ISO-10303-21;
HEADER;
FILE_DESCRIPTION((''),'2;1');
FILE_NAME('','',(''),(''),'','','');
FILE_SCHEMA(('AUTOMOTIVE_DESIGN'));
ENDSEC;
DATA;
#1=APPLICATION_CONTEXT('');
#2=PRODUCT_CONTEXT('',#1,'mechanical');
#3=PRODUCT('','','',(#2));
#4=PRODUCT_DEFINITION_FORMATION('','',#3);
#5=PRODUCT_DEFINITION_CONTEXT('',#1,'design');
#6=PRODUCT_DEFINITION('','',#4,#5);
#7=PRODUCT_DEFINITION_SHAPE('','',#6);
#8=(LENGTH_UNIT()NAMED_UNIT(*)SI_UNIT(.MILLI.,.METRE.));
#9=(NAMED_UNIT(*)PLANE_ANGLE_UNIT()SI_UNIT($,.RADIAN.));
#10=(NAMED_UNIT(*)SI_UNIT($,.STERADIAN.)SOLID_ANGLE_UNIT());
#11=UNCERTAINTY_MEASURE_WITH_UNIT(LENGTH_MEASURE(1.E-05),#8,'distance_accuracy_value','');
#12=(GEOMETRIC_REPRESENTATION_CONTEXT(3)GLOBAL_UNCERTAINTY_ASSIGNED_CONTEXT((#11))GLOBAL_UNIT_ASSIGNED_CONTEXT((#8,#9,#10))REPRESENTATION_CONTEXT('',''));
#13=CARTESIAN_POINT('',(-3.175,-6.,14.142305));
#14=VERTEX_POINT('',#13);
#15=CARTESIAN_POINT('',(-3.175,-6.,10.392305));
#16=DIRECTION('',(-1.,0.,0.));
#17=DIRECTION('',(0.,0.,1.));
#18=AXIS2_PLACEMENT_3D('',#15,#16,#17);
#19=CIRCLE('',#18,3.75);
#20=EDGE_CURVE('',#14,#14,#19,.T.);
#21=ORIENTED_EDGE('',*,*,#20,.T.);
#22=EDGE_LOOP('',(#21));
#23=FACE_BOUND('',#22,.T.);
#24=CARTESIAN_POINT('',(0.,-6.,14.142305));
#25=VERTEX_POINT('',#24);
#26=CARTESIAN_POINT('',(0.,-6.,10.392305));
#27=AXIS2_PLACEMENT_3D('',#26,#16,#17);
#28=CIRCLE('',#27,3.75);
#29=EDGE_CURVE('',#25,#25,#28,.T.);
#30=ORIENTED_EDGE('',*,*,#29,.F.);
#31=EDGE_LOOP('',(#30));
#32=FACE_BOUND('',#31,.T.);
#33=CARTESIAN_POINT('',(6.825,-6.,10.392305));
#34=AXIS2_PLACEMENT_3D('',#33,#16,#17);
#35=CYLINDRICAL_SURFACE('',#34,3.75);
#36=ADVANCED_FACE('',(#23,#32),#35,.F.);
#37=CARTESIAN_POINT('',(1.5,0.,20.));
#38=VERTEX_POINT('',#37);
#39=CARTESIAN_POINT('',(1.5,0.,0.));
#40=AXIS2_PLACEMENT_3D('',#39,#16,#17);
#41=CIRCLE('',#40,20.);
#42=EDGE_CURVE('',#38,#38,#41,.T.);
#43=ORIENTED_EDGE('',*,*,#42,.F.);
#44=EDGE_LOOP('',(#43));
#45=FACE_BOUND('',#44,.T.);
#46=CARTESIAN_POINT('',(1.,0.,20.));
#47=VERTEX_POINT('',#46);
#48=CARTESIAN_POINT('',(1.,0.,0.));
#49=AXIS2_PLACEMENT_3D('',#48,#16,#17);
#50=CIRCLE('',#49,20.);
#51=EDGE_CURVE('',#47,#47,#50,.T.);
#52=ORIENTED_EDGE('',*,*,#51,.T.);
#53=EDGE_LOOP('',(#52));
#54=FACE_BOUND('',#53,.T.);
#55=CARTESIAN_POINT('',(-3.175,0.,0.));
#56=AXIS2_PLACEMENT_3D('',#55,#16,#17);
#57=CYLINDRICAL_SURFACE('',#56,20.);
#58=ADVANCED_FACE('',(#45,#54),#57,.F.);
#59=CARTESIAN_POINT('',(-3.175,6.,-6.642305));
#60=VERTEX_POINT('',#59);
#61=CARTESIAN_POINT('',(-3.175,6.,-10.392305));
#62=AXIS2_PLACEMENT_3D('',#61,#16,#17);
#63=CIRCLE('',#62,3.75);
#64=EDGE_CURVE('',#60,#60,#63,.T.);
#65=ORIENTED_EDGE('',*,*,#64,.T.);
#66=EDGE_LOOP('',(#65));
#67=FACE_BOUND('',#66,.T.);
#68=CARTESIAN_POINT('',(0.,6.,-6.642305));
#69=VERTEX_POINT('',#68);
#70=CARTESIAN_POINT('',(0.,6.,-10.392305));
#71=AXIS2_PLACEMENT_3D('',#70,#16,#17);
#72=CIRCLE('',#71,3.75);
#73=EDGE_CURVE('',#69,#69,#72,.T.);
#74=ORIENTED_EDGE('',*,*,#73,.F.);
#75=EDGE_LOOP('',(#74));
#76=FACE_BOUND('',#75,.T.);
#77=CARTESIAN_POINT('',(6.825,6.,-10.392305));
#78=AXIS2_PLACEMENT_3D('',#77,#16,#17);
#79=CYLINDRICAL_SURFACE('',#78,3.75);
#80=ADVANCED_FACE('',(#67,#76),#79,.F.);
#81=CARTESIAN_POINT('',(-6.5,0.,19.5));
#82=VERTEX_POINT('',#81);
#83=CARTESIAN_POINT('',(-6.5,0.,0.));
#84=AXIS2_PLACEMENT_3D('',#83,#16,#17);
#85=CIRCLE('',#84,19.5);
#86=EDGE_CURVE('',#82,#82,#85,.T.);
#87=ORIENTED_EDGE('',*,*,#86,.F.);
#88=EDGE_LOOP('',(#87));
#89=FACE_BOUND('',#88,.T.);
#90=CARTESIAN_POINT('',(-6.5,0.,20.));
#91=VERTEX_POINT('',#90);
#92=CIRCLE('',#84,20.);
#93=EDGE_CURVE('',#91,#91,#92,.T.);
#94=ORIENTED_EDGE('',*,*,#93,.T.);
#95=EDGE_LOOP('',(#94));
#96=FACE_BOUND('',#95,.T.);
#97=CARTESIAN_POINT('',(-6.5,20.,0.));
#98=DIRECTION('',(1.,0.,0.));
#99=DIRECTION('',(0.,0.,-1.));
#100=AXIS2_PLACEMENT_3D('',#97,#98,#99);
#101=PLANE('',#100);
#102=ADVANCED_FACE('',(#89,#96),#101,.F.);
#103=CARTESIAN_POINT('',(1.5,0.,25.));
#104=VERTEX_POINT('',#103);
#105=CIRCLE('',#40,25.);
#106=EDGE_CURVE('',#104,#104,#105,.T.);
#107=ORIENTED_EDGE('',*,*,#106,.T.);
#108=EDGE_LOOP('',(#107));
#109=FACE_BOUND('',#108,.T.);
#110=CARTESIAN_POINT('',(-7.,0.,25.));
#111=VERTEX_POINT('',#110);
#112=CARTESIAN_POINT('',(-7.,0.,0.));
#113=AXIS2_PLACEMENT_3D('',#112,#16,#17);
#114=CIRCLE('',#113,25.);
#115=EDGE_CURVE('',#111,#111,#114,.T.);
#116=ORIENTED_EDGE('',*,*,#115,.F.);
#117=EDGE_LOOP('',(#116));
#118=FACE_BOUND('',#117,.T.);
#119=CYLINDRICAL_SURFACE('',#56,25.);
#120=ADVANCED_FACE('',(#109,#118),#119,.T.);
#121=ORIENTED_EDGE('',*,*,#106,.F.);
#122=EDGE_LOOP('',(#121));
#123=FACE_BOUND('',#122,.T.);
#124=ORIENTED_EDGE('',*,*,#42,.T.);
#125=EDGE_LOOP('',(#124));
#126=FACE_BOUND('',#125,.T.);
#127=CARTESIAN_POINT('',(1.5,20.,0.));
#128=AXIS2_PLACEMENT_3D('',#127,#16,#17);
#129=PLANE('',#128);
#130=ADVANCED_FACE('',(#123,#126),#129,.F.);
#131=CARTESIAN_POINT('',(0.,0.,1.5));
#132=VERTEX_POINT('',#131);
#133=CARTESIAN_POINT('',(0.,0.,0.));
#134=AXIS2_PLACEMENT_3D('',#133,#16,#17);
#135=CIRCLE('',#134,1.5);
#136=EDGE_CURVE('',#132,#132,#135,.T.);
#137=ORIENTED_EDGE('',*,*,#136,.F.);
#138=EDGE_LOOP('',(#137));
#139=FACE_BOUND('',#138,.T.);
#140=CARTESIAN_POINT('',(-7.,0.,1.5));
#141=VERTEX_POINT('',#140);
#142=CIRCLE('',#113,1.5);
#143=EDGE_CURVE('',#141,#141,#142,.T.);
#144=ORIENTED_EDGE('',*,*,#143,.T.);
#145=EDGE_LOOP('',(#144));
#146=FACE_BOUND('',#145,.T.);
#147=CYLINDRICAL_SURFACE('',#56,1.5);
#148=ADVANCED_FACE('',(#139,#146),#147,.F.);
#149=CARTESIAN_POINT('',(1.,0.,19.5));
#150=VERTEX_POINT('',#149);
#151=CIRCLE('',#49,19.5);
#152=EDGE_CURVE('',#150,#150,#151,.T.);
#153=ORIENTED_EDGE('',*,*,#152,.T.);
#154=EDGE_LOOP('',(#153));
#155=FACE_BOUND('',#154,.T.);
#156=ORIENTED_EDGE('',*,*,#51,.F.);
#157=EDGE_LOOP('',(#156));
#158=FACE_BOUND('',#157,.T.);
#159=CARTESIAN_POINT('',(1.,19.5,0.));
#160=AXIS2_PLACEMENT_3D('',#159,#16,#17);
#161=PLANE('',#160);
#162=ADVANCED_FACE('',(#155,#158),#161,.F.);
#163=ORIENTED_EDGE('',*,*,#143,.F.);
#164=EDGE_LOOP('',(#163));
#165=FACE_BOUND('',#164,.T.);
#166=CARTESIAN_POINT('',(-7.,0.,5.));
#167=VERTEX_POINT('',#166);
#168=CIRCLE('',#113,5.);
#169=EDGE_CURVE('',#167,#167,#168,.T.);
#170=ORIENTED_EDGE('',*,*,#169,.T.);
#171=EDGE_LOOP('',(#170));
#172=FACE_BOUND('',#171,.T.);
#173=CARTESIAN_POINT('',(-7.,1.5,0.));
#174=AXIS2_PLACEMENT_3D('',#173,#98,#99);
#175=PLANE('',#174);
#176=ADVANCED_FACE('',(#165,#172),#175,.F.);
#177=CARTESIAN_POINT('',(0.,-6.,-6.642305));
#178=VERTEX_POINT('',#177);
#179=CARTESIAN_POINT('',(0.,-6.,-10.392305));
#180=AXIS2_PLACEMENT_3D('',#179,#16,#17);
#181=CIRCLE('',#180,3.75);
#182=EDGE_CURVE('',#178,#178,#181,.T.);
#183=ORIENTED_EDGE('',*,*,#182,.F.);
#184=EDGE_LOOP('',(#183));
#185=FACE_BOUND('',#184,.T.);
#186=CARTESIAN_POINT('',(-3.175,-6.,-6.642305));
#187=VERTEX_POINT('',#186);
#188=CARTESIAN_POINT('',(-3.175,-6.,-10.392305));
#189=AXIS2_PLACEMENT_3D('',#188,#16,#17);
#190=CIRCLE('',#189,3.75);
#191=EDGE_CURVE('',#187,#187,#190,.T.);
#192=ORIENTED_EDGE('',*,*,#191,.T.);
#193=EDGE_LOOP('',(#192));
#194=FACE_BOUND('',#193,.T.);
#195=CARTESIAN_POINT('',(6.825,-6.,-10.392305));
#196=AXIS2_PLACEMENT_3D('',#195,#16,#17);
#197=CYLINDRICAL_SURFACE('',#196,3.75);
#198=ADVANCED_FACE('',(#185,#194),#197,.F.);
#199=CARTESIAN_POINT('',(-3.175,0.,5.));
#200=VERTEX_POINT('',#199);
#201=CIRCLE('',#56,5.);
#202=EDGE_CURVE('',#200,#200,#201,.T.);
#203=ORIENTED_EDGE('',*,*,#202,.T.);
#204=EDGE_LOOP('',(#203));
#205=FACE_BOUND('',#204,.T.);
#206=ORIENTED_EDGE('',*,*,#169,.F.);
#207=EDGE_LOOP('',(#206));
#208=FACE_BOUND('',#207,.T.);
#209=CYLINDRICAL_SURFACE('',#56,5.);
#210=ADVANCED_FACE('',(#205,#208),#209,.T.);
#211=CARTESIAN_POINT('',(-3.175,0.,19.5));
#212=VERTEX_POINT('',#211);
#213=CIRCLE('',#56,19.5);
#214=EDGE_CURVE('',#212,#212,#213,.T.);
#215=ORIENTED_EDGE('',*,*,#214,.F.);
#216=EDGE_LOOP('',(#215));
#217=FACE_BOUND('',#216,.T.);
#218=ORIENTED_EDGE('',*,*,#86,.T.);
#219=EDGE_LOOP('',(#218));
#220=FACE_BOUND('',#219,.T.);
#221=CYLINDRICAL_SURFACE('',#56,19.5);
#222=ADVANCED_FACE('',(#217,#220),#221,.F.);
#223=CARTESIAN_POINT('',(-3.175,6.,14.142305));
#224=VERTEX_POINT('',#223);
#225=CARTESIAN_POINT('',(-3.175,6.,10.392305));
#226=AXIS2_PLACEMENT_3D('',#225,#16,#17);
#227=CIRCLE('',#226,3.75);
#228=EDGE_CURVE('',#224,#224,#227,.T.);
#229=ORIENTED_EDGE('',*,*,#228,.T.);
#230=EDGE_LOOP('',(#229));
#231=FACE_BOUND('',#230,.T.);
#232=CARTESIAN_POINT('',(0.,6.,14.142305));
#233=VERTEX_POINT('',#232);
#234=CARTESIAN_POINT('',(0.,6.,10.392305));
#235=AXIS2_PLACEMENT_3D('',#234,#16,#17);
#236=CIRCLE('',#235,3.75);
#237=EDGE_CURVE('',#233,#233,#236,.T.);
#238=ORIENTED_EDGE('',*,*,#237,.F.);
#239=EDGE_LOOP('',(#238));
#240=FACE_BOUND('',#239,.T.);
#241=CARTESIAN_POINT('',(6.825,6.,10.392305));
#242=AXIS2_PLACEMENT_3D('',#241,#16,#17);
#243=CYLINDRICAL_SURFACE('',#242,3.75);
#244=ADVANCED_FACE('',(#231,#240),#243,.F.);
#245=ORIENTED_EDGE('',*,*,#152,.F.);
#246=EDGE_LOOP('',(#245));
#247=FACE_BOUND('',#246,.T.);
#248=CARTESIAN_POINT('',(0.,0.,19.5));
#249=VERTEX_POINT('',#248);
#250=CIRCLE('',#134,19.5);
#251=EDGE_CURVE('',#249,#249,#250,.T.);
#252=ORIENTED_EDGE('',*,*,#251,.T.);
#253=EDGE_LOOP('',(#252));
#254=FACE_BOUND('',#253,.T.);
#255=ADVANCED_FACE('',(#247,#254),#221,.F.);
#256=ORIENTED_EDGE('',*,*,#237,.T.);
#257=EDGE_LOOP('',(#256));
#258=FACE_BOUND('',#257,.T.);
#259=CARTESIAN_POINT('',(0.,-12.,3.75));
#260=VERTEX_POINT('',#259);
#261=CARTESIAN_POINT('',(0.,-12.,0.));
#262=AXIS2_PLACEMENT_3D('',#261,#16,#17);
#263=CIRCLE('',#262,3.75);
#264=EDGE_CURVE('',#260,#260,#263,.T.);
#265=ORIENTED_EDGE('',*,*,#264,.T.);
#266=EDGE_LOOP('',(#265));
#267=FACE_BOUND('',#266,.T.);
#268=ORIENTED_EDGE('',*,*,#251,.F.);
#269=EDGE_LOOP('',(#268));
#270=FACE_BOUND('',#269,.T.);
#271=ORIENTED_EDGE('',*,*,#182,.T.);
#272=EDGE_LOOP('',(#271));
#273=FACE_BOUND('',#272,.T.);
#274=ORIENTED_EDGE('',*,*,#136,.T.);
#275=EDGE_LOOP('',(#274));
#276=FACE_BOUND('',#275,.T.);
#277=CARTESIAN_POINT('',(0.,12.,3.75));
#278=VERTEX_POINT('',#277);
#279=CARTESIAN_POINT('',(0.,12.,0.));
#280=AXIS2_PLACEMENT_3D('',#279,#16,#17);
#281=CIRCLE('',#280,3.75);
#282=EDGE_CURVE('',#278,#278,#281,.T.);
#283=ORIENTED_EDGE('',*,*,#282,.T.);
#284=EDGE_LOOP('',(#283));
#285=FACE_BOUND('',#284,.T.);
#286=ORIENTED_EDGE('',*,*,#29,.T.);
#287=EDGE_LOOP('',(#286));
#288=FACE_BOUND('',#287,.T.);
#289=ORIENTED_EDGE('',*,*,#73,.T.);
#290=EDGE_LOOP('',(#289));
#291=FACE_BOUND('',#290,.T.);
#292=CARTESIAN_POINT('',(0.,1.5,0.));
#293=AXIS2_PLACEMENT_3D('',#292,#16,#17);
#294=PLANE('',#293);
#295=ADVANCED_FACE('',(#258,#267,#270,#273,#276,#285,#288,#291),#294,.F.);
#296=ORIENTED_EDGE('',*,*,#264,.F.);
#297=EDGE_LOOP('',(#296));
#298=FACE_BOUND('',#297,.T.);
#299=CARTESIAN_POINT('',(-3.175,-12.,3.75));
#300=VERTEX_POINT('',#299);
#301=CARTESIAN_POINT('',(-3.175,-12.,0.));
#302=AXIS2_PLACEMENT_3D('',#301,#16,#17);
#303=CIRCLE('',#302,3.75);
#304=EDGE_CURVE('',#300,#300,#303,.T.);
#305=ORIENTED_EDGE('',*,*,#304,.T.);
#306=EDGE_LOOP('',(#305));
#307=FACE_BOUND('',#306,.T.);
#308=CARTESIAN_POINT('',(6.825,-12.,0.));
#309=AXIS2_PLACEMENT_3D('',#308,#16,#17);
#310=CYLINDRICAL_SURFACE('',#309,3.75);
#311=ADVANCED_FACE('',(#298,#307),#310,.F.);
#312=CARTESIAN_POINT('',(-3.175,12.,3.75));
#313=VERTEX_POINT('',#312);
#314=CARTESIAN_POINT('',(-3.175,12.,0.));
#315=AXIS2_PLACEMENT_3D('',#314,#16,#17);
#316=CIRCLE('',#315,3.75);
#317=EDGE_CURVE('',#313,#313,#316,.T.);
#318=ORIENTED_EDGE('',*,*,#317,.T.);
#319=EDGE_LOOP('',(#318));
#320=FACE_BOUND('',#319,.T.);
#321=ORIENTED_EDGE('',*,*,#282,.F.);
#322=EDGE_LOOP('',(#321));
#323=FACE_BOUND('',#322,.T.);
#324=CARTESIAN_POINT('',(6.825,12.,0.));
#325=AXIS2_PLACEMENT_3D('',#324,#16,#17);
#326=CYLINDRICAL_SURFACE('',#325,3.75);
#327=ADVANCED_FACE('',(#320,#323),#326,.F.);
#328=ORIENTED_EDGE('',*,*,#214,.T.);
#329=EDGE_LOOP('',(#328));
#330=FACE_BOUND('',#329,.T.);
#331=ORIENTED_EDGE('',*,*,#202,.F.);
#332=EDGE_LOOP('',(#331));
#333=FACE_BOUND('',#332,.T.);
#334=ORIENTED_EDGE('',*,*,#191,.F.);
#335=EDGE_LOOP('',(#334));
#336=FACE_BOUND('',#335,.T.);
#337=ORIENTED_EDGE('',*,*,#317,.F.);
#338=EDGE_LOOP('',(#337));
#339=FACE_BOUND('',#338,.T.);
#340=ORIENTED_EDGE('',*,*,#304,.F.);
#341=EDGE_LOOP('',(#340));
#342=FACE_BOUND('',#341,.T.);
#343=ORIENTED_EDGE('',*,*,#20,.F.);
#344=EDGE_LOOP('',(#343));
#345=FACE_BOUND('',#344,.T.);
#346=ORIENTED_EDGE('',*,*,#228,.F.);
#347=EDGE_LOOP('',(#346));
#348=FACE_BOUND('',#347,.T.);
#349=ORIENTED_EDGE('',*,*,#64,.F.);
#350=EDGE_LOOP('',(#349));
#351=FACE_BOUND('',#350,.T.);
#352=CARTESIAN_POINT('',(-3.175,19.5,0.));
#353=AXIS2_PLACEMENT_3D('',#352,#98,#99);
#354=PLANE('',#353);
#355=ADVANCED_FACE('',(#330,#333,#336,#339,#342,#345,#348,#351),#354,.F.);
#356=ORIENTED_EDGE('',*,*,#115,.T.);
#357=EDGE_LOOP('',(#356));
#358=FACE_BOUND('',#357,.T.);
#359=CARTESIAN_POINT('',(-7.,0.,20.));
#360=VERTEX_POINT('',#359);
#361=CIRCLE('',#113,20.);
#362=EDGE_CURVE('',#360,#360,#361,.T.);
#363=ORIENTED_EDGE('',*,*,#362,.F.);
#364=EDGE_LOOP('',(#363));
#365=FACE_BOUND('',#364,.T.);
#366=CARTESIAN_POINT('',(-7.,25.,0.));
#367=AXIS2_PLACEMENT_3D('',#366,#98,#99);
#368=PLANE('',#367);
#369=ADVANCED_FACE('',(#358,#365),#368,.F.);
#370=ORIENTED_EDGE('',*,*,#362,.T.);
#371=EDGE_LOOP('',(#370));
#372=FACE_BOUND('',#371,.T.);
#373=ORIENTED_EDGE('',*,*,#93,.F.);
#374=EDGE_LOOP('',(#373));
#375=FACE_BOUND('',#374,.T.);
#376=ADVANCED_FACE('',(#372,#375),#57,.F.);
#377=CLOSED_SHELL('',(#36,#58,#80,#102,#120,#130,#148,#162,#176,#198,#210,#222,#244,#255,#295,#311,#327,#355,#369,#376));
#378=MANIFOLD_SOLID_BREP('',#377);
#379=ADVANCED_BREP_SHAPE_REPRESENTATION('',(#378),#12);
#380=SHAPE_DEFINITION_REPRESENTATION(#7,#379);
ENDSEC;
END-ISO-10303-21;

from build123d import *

# Parameters (mm, degrees)
SKETCH2_R          = 3.75
CUT_EXTRUDE1_DEPTH = 10


with BuildPart() as part:
    # Sketch1 → Revolve1 (revolve)
    with BuildSketch(Plane.XY, mode=Mode.PRIVATE) as revolve1_sk:
        Polygon((0, 1.5), (0, 19.5), (1, 19.5), (1, 20), (1.5, 20), (1.5, 25), (-7, 25), (-7, 20), (-6.5, 20), (-6.5, 19.5), (-3.175, 19.5), (-3.175, 5), (-7, 5), (-7, 1.5), (-3.175, 1.5), align=None)
    revolve(revolve1_sk.sketch.rotate(Axis((-3.175, 0, 0), (1, 0, 0)), 90), axis=Axis((-3.175, 0, 0), (1, 0, 0)))

    # Sketch2 → Cut-Extrude1 (cut)
    with BuildSketch(Plane.ZY.offset(3.175)):
        with Locations((0, 12)):
            Circle(SKETCH2_R)
        with Locations((10.392304845, 6)):
            Circle(SKETCH2_R)
        with Locations((10.392304845, -6)):
            Circle(SKETCH2_R)
        with Locations((0, -12)):
            Circle(SKETCH2_R)
        with Locations((-10.392304845, -6)):
            Circle(SKETCH2_R)
        with Locations((-10.392304845, 6)):
            Circle(SKETCH2_R)
    extrude(amount=-CUT_EXTRUDE1_DEPTH, mode=Mode.SUBTRACT)


solid = part.part
